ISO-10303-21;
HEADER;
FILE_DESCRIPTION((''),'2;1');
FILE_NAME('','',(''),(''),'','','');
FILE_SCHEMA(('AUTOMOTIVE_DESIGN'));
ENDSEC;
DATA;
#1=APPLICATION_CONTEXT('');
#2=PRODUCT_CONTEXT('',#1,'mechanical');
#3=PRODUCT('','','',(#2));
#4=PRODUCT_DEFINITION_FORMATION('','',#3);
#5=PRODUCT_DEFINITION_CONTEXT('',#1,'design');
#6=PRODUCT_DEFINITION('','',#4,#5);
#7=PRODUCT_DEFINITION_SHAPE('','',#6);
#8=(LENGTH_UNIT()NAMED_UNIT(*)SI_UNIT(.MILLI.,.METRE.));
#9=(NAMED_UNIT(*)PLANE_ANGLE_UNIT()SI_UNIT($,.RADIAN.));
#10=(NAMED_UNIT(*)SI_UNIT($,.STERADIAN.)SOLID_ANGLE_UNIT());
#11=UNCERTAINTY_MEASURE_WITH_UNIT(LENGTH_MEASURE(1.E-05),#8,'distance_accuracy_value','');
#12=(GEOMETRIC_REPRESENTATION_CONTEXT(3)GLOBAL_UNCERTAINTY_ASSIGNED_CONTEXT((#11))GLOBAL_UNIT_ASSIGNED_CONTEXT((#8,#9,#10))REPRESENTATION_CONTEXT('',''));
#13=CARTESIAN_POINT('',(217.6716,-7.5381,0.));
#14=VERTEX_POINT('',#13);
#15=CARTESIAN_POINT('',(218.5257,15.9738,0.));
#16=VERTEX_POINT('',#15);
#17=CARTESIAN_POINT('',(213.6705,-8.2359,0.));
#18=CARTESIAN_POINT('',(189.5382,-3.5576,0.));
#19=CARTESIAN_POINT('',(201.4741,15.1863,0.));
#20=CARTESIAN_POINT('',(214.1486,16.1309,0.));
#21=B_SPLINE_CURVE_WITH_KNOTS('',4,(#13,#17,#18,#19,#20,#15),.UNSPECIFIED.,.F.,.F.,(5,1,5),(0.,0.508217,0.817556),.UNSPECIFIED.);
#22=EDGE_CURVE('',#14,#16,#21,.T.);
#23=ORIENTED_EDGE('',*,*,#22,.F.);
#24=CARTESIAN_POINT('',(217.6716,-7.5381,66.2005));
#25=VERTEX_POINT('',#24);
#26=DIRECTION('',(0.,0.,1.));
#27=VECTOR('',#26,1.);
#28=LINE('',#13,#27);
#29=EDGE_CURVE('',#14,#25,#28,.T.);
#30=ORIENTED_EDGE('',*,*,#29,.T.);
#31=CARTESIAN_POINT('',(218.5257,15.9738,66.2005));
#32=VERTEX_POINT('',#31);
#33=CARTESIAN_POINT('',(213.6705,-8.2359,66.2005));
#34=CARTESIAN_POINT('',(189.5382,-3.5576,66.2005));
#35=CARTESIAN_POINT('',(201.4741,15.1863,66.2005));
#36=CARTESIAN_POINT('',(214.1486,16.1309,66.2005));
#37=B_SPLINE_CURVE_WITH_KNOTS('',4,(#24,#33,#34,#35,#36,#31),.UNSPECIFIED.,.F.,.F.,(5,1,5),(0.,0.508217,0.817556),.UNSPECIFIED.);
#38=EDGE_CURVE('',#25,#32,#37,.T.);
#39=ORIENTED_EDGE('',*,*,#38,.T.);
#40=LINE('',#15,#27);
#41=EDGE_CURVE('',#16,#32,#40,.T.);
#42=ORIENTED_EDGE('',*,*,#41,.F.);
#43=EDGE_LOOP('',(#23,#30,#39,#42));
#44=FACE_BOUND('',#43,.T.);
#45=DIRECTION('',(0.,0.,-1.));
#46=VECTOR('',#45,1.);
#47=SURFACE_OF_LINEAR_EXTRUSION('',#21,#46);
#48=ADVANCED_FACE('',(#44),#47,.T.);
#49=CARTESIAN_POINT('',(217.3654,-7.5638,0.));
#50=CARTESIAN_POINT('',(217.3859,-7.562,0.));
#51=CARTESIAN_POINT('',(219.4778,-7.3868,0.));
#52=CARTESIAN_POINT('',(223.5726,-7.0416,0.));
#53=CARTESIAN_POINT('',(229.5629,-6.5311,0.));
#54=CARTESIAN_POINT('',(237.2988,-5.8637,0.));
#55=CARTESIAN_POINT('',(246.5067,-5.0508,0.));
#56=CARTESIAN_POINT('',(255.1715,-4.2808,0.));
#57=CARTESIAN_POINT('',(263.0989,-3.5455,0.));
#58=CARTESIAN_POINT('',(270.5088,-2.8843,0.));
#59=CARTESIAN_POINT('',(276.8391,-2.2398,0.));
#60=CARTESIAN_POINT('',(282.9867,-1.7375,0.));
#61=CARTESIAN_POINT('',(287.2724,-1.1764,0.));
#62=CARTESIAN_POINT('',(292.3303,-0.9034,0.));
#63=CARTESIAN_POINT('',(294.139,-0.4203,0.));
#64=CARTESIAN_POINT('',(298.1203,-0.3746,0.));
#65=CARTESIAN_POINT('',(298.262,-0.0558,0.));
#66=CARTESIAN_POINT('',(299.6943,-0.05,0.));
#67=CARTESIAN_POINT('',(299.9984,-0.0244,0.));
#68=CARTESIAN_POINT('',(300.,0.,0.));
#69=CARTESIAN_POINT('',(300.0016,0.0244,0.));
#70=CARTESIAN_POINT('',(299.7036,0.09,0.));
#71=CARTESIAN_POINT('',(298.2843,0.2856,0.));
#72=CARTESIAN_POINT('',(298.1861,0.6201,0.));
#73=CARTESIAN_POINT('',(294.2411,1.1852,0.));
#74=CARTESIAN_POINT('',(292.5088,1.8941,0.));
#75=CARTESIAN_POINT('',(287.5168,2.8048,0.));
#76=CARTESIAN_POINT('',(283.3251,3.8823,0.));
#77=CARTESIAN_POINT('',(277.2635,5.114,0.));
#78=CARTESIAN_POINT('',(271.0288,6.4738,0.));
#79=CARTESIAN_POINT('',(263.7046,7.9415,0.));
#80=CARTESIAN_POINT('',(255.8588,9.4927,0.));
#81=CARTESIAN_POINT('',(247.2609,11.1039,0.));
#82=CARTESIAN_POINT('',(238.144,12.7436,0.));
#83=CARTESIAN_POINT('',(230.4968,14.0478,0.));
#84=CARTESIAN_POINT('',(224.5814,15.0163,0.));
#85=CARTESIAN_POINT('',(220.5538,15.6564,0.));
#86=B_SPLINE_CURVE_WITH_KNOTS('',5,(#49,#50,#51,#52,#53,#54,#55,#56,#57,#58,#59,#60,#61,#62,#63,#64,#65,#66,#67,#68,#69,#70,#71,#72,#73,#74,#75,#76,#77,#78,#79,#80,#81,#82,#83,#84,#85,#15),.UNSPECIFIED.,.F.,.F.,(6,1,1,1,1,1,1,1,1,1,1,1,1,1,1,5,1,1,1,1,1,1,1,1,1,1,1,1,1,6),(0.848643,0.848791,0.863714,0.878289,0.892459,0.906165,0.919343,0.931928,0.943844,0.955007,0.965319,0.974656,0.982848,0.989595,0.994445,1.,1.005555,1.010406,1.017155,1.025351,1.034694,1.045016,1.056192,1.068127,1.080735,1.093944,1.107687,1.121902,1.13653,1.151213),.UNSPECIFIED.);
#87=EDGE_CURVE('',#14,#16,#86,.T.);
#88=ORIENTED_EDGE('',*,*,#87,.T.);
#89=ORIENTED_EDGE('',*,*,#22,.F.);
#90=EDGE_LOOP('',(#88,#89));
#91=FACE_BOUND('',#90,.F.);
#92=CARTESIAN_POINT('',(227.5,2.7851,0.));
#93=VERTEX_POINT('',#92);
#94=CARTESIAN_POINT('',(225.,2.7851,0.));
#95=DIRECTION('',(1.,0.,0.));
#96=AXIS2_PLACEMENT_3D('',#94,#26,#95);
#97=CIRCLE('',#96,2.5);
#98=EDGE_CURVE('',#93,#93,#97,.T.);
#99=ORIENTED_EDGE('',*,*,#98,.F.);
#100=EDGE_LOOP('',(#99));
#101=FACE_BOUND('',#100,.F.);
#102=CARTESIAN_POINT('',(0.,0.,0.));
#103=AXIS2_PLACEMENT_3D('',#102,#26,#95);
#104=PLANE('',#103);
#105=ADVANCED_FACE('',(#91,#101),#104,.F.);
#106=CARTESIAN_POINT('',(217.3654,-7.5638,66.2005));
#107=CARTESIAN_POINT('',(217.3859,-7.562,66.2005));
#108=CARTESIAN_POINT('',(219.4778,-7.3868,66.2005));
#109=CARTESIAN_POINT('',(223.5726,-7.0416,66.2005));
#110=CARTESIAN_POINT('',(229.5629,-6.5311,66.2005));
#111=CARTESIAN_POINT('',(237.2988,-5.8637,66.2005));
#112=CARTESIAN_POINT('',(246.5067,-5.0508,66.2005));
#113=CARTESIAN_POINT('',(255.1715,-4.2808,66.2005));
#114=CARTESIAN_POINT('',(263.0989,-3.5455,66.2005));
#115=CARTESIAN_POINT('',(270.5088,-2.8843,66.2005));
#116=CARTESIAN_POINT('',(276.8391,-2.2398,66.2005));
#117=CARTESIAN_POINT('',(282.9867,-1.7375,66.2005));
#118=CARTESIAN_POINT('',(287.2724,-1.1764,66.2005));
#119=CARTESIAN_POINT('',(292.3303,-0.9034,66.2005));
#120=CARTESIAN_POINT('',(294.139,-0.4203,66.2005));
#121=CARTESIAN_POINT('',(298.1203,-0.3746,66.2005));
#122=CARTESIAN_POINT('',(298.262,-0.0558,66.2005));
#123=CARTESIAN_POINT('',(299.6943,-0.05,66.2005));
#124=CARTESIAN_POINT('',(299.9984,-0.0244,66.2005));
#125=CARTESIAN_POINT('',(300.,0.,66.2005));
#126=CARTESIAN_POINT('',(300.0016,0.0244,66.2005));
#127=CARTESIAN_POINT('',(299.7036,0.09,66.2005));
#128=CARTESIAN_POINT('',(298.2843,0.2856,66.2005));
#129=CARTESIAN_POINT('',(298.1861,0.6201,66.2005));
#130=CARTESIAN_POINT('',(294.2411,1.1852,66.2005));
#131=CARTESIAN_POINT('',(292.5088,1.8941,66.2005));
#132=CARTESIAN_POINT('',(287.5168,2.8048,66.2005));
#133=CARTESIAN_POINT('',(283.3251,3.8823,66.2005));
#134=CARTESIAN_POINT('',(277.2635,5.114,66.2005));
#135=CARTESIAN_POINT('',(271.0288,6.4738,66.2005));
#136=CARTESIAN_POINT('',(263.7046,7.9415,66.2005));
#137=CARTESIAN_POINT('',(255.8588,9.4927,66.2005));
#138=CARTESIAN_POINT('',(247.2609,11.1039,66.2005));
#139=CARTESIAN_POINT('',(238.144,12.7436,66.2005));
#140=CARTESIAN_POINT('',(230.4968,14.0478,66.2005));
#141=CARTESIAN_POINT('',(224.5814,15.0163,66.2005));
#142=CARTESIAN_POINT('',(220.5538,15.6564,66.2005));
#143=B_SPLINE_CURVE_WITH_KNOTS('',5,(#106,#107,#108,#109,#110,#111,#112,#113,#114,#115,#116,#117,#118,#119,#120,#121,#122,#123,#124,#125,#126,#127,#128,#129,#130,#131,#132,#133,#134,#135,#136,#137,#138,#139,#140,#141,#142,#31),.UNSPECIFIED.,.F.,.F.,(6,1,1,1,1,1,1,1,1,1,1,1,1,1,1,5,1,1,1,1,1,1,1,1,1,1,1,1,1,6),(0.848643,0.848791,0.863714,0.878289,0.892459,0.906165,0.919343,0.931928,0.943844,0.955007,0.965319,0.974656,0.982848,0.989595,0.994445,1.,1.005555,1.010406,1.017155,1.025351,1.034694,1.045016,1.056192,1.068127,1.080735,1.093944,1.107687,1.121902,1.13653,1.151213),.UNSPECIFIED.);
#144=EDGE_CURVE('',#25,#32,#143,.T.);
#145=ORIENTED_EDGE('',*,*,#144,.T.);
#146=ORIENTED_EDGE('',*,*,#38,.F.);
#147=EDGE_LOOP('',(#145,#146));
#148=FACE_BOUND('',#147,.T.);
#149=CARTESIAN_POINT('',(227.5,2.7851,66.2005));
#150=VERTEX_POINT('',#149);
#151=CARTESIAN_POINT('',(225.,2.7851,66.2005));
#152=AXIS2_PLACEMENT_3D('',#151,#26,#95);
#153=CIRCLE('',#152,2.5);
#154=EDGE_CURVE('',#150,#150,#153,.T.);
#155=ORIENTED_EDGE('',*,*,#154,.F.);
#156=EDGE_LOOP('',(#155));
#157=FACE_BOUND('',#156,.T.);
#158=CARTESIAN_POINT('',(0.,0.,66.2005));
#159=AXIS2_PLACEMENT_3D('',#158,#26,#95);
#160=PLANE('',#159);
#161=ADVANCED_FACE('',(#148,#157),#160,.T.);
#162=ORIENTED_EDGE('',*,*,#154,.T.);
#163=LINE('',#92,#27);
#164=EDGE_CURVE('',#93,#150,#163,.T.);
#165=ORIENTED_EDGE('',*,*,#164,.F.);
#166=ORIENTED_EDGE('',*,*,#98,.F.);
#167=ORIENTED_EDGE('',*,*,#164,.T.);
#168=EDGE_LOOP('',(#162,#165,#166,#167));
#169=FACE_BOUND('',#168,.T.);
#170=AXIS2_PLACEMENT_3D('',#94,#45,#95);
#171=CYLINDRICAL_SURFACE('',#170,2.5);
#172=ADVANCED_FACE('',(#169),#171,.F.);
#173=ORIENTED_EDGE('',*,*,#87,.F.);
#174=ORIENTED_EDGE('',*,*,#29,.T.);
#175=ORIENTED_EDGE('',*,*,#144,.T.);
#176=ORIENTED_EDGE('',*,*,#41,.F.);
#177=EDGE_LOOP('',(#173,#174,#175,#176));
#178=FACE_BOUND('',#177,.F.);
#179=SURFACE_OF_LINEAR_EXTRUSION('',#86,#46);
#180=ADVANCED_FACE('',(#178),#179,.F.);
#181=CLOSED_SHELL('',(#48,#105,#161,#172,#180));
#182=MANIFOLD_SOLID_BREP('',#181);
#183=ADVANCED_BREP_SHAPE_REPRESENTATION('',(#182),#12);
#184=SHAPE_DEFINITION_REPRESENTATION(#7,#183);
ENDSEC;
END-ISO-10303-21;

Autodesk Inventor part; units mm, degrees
ref_plane "YZ Plane" through (0, 0, 0) normal (1, 0, 0) x (0, 1, 0)
ref_plane "XZ Plane" through (0, 0, 0) normal (0, 1, 0) x (-1, 0, 0)
ref_plane "XY Plane" through (0, 0, 0) normal (0, 0, 1) x (1, 0, 0)
sketch "Sketch1" plane through (0, 0, 0) normal (0, 0, 1) x (1, 0, 0)
  spline S0 degree 5 poles (217.3654, -7.5638) (217.3859, -7.562) (219.4778, -7.3868) (223.5726, -7.0416) (229.5629, -6.5311) (237.2988, -5.8637) (246.5067, -5.0508) (255.1715, -4.2808) (263.0989, -3.5455) (270.5088, -2.8843) (276.8391, -2.2398) (282.9867, -1.7375) (287.2724, -1.1764) (292.3303, -0.9034) (294.139, -0.4203) (298.1203, -0.3746) (298.262, -0.0558) (299.6943, -0.05) (299.9984, -0.0244) (300, 0) (300.0016, 0.0244) (299.7036, 0.09) (298.2843, 0.2856) (298.1861, 0.6201) (294.2411, 1.1852) (292.5088, 1.8941) (287.5168, 2.8048) (283.3251, 3.8823) (277.2635, 5.114) (271.0288, 6.4738) (263.7046, 7.9415) (255.8588, 9.4927) (247.2609, 11.1039) (238.144, 12.7436) (230.4968, 14.0478) (224.5814, 15.0163) (220.5538, 15.6564) (218.5257, 15.9738) knots 0.848643 0.848643 0.848643 0.848643 0.848643 0.848643 0.848791 0.863714 0.878289 0.892459 0.906165 0.919343 0.931928 0.943844 0.955007 0.965319 0.974656 0.982848 0.989595 0.994445 1 1 1 1 1 1.005555 1.010406 1.017155 1.025351 1.034694 1.045016 1.056192 1.068127 1.080735 1.093944 1.107687 1.121902 1.13653 1.151213 1.151213 1.151213 1.151213 1.151213 1.151213
  line L0 (200, 103) -> (200, -97) construction
  line L1 (300, -103) -> (300, 103) construction
  line L2 (200, 3.7134) -> (300, 0) construction
  circle A0 centre (225, 2.7851) radius 2.5
  line L3 (205.8741, -8.5266) -> (228.8566, -6.6009) construction
  arc A1 (208.1717, -8.3262) -> (226.5577, -6.7856) centre (-233.8691, 5377.8161) ccw construction
  line L4 (230.0222, 14.1744) -> (207.0292, 17.7732) construction
  arc A2 (227.7165, 14.4952) -> (209.3227, 17.3741) centre (49.5564, -1063.5951) ccw construction
  spline S1 degree 4 poles (217.6716, -7.5381) (213.6705, -8.2359) (189.5382, -3.5576) (201.4741, 15.1863) (214.1486, 16.1309) (218.5257, 15.9738) knots 0 0 0 0 0 0.508217 0.817556 0.817556 0.817556 0.817556 0.817556
  line L5 (212.7843, 16.1798) -> (224.2671, 15.7678) construction
  arc A3 (223.0904, 15.5928) -> (213.9454, 15.921) centre (216.7921, -32.3331) ccw construction
  point P0 (299.5428, 0.1089)
  point P1 (298.1739, 0.4338)
  point P2 (295.9008, 0.9681)
  point P3 (292.7367, 1.7025)
  point P4 (288.6996, 2.6229)
  point P5 (283.8129, 3.7134)
  point P6 (278.1048, 4.9545)
  point P7 (271.6086, 6.3255)
  point P8 (264.3621, 7.8039)
  point P9 (256.4085, 9.3663)
  point P10 (247.7946, 10.9887)
  point P11 (238.572, 12.6468)
  point P12 (228.7959, 14.3166)
  point P13 (207.8235, 17.5944)
  point P14 (237.7638, -5.8185)
  point P15 (247.0398, -5.0019)
  point P16 (255.7236, -4.2234)
  point P17 (263.7597, -3.4905)
  point P18 (271.0965, -2.8098)
  point P19 (277.6872, -2.1882)
  point P20 (283.4889, -1.6323)
  point P21 (288.4641, -1.1487)
  point P22 (292.5804, -0.7434)
  point P23 (295.8102, -0.4221)
  point P24 (298.1328, -0.1887)
  point P25 (299.5323, -0.0474)
  point P26 (217.3654, -7.5638)
  point P27 (206.2647, 13.1249)
  point P28 (218.5257, 15.9738)
  dimension "d17" = 100
  dimension "d22" = 5
  dimension "d23" = 75
sketch "Sketch3" plane through (0, 0, 0) normal (0, 0, 1) x (1, 0, 0)
  point P0 (0, 0)
sketch "Sketch4" plane through (0, 0, 0) normal (0, 0, 1) x (1, 0, 0)
  point P0 (0, 0)
sketch "Sketch5" plane through (0, 0, 0) normal (0, 0, 1) x (1, 0, 0)
  point P0 (0, 0)
sketch "Sketch6" plane through (0, 0, 0) normal (0, 0, 1) x (1, 0, 0)
  point P0 (0, 0)
sketch "Sketch7" plane through (0, 0, 0) normal (0, 0, 1) x (1, 0, 0)
  point P0 (0, 0)
sketch "Sketch8" plane through (0, 0, 0) normal (0, 0, 1) x (1, 0, 0)
  point P0 (0, 0)
extrude "Extrusion2" add sketch "Sketch1" along normal blind 66.2005
properties part number "AIL outboard outer foam assembly" material "Polyurethane Foam"
